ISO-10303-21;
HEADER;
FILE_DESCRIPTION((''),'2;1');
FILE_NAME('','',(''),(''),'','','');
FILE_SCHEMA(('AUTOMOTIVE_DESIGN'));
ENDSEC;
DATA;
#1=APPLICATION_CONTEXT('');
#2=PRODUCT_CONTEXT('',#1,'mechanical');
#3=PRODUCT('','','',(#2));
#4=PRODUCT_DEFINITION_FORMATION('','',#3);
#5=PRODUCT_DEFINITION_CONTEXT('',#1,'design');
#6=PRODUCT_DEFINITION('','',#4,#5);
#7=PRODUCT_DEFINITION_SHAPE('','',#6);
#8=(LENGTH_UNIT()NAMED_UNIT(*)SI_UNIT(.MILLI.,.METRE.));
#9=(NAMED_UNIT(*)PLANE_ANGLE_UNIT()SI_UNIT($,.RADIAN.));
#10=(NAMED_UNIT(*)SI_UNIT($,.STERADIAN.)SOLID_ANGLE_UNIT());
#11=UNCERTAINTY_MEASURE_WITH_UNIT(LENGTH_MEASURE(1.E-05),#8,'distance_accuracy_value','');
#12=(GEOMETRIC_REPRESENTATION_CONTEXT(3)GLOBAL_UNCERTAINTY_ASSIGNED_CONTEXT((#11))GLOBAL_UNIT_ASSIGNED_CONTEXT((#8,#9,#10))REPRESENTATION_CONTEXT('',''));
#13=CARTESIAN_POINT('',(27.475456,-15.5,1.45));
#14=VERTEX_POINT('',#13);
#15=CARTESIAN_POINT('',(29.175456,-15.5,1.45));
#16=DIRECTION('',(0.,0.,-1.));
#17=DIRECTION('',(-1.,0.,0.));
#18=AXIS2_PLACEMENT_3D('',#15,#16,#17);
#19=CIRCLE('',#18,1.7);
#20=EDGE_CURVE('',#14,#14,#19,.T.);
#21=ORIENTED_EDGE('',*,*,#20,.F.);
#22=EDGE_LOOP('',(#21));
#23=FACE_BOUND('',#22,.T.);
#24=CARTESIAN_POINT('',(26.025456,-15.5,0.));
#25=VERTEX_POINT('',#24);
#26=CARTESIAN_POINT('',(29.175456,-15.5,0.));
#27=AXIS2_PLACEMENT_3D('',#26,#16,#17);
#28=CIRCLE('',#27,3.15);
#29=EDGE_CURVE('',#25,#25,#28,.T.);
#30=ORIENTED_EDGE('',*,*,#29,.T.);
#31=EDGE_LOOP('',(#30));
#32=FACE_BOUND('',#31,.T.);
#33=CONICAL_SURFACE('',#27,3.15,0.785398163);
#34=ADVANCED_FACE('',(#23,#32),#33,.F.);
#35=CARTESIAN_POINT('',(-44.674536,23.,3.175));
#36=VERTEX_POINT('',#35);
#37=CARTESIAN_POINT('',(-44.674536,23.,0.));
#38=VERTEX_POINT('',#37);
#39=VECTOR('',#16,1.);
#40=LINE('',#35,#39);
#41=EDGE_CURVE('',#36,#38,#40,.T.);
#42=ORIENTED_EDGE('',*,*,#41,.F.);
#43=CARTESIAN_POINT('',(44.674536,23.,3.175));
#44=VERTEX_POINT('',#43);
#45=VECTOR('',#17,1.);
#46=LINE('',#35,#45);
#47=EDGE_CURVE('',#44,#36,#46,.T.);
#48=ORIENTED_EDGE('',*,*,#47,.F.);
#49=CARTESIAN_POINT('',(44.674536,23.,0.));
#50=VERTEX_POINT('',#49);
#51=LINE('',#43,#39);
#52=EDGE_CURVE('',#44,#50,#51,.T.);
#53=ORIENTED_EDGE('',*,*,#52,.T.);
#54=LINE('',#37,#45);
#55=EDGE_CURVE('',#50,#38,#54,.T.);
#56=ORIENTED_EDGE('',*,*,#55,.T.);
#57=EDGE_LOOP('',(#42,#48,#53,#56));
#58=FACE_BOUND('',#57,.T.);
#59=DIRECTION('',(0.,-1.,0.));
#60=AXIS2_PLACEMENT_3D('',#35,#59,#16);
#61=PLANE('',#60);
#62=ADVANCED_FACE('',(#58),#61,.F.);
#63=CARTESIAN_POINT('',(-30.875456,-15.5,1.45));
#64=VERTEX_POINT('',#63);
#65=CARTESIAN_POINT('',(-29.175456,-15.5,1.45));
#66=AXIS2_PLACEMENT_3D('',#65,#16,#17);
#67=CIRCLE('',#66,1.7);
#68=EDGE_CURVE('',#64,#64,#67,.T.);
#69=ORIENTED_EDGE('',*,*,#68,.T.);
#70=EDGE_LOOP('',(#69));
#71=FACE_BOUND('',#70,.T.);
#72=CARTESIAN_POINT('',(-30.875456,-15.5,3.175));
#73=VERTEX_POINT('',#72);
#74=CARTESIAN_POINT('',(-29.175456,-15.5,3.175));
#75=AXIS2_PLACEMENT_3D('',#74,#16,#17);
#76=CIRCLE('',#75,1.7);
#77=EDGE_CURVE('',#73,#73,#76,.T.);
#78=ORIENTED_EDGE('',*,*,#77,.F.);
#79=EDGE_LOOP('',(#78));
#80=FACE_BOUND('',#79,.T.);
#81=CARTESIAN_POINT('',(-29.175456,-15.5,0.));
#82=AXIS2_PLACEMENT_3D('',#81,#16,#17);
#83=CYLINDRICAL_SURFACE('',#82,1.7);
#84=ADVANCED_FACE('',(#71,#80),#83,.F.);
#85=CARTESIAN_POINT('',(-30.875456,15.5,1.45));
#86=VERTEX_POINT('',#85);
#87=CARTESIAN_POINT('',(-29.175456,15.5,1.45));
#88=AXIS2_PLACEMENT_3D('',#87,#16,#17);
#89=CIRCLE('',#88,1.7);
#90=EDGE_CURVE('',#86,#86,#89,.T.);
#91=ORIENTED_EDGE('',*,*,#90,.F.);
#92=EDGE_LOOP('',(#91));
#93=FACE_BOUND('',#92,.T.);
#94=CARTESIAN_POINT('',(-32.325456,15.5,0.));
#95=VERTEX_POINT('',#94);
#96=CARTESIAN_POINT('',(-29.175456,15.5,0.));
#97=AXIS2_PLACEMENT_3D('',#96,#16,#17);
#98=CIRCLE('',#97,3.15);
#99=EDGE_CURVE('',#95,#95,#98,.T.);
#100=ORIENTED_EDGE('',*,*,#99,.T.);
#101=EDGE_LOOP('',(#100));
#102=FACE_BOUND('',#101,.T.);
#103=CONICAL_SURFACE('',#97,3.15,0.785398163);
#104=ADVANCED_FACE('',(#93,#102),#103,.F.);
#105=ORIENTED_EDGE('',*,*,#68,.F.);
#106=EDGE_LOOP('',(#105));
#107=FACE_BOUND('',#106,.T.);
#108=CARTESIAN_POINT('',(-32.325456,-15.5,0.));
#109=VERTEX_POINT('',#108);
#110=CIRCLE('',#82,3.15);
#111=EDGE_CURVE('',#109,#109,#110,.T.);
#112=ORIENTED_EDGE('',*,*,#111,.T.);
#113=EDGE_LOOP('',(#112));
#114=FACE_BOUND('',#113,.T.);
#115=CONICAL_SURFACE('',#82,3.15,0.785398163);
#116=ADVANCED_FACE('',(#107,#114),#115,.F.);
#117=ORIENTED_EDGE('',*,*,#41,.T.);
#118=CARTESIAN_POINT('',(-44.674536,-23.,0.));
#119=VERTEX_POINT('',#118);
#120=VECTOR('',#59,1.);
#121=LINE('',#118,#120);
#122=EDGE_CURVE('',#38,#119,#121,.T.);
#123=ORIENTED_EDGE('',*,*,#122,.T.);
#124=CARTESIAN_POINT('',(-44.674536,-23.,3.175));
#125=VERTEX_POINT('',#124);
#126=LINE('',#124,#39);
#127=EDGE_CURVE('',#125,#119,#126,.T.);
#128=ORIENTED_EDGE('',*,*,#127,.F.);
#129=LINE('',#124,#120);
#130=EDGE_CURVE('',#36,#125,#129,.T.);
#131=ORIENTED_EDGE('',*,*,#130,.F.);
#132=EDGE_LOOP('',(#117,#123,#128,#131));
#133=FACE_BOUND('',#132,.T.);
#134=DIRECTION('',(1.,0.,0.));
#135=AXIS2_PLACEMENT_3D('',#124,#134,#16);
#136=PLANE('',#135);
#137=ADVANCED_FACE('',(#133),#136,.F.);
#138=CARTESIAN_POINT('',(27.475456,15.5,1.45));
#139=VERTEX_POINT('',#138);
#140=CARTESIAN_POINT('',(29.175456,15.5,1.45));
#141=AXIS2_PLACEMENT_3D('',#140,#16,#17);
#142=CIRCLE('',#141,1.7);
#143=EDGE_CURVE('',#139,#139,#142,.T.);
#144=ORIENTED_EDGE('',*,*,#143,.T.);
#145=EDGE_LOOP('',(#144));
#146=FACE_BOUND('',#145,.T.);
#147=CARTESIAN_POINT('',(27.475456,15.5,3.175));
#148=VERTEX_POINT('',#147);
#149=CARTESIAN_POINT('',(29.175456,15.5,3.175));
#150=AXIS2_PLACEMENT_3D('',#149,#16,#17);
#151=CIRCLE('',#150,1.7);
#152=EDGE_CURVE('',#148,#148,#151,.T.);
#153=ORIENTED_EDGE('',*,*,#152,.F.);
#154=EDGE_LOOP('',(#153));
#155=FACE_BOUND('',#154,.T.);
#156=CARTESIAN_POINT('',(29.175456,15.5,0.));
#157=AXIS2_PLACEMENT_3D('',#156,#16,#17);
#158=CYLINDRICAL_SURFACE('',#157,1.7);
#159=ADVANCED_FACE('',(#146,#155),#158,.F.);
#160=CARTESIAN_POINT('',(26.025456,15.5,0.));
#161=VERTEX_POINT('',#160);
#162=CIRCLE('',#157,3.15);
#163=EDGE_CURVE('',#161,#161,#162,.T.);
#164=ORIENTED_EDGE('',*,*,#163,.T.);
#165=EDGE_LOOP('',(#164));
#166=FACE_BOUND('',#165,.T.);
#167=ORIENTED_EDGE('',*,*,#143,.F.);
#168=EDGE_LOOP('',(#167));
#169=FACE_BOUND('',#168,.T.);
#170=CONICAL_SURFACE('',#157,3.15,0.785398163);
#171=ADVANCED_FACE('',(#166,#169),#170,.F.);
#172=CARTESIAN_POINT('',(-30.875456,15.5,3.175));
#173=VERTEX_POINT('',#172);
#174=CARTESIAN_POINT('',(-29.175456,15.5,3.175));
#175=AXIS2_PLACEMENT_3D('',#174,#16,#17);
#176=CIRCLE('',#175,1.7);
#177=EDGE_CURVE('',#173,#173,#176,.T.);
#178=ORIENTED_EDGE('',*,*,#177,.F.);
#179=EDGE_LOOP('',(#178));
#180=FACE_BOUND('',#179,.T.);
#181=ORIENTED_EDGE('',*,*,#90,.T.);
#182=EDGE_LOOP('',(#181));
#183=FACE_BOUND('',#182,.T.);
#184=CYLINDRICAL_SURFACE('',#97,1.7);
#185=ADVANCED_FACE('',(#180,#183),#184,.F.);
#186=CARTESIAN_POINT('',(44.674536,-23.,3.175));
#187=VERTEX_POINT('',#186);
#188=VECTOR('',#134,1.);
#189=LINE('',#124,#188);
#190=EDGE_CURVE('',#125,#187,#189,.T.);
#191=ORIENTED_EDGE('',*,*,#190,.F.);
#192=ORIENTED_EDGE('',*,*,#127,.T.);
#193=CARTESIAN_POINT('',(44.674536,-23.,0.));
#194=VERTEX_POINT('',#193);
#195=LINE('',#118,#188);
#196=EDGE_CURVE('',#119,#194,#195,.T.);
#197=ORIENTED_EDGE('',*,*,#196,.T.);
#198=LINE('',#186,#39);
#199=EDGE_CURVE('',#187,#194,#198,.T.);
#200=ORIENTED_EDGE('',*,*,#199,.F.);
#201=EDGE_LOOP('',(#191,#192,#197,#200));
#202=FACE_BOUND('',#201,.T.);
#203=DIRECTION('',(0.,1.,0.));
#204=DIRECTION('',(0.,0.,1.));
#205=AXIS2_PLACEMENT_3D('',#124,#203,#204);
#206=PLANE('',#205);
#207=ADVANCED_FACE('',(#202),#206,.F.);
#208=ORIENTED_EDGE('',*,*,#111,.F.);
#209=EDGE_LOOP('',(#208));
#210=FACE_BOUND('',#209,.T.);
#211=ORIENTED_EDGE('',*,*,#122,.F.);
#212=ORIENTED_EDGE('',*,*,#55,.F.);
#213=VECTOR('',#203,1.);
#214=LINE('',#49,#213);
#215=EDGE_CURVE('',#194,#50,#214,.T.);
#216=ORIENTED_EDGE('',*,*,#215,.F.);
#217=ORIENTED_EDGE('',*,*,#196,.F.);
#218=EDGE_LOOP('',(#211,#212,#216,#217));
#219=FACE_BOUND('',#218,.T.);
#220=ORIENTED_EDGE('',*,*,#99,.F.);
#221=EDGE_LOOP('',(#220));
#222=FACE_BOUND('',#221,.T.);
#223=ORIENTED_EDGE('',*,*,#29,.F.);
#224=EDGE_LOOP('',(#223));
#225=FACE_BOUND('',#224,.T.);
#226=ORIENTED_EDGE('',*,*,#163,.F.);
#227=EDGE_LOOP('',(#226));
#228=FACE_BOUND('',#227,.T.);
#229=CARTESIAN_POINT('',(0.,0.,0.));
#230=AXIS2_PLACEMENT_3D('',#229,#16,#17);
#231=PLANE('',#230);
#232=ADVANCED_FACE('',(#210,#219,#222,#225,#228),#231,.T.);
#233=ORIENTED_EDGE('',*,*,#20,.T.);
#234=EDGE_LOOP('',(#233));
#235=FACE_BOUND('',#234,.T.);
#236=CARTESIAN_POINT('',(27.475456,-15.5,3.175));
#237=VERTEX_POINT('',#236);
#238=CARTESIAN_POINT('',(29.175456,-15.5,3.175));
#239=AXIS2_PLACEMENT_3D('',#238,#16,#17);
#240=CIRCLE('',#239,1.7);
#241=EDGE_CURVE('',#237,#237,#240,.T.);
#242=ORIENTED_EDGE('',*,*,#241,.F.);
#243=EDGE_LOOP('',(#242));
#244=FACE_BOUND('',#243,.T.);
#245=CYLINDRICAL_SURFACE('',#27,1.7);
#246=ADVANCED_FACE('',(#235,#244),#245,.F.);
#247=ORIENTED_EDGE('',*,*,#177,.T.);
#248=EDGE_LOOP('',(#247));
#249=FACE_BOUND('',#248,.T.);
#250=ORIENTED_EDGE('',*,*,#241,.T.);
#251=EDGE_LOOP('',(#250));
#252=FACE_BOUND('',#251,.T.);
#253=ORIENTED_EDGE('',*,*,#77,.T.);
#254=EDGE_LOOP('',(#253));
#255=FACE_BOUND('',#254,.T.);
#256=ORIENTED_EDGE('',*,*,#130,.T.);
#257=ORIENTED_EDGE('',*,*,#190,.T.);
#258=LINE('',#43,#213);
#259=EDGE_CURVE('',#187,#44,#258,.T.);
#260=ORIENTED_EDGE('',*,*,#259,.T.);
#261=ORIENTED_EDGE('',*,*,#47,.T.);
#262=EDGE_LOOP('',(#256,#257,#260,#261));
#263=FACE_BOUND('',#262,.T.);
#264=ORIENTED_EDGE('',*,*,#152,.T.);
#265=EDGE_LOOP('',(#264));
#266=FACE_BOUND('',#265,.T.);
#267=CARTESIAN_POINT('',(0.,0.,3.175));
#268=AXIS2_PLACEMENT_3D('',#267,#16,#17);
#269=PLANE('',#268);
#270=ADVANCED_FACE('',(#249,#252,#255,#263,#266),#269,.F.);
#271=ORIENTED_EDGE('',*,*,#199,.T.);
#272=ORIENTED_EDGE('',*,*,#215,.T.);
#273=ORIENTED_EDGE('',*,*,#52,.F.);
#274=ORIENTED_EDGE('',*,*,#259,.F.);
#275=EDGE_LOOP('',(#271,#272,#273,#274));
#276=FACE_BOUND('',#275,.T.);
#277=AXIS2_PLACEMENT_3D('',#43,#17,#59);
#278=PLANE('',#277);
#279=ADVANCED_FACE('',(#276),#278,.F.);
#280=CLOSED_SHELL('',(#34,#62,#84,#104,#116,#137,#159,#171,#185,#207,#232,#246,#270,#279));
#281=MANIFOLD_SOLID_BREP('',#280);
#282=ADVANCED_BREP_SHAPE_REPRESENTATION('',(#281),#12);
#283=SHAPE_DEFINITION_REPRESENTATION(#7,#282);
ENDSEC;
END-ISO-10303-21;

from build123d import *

# Parameters (mm, degrees)
PROFILE_SKETCH_W                                = 89.349072
PROFILE_SKETCH_H                                = 46
PROFILE_EXTRUDE_DEPTH                           = 3.175
CSK_FOR_M3_FLAT_HEAD_MACHINE_SCREW1_D           = 3.4
CSK_FOR_M3_FLAT_HEAD_MACHINE_SCREW1_CSINK_D     = 6.3
CSK_FOR_M3_FLAT_HEAD_MACHINE_SCREW1_CSINK_ANGLE = 90


with BuildPart() as part:
    # Profile Sketch → Profile Extrude (new body)
    with BuildSketch(Plane.XY):
        Rectangle(PROFILE_SKETCH_W, PROFILE_SKETCH_H)
    extrude(amount=PROFILE_EXTRUDE_DEPTH)

    # CSK for M3 Flat Head Machine Screw1 (through all)
    with Locations(Plane(origin=(-29.175456, 15.500000014, 0), x_dir=(-1, 0, 0), z_dir=(0, 0, -1))):
        with Locations((0, 0), (0, -31.000000028), (-58.350912, -31.000000028), (-58.350912, 0)):
            CounterSinkHole(CSK_FOR_M3_FLAT_HEAD_MACHINE_SCREW1_D / 2, CSK_FOR_M3_FLAT_HEAD_MACHINE_SCREW1_CSINK_D / 2, counter_sink_angle=CSK_FOR_M3_FLAT_HEAD_MACHINE_SCREW1_CSINK_ANGLE)


solid = part.part
